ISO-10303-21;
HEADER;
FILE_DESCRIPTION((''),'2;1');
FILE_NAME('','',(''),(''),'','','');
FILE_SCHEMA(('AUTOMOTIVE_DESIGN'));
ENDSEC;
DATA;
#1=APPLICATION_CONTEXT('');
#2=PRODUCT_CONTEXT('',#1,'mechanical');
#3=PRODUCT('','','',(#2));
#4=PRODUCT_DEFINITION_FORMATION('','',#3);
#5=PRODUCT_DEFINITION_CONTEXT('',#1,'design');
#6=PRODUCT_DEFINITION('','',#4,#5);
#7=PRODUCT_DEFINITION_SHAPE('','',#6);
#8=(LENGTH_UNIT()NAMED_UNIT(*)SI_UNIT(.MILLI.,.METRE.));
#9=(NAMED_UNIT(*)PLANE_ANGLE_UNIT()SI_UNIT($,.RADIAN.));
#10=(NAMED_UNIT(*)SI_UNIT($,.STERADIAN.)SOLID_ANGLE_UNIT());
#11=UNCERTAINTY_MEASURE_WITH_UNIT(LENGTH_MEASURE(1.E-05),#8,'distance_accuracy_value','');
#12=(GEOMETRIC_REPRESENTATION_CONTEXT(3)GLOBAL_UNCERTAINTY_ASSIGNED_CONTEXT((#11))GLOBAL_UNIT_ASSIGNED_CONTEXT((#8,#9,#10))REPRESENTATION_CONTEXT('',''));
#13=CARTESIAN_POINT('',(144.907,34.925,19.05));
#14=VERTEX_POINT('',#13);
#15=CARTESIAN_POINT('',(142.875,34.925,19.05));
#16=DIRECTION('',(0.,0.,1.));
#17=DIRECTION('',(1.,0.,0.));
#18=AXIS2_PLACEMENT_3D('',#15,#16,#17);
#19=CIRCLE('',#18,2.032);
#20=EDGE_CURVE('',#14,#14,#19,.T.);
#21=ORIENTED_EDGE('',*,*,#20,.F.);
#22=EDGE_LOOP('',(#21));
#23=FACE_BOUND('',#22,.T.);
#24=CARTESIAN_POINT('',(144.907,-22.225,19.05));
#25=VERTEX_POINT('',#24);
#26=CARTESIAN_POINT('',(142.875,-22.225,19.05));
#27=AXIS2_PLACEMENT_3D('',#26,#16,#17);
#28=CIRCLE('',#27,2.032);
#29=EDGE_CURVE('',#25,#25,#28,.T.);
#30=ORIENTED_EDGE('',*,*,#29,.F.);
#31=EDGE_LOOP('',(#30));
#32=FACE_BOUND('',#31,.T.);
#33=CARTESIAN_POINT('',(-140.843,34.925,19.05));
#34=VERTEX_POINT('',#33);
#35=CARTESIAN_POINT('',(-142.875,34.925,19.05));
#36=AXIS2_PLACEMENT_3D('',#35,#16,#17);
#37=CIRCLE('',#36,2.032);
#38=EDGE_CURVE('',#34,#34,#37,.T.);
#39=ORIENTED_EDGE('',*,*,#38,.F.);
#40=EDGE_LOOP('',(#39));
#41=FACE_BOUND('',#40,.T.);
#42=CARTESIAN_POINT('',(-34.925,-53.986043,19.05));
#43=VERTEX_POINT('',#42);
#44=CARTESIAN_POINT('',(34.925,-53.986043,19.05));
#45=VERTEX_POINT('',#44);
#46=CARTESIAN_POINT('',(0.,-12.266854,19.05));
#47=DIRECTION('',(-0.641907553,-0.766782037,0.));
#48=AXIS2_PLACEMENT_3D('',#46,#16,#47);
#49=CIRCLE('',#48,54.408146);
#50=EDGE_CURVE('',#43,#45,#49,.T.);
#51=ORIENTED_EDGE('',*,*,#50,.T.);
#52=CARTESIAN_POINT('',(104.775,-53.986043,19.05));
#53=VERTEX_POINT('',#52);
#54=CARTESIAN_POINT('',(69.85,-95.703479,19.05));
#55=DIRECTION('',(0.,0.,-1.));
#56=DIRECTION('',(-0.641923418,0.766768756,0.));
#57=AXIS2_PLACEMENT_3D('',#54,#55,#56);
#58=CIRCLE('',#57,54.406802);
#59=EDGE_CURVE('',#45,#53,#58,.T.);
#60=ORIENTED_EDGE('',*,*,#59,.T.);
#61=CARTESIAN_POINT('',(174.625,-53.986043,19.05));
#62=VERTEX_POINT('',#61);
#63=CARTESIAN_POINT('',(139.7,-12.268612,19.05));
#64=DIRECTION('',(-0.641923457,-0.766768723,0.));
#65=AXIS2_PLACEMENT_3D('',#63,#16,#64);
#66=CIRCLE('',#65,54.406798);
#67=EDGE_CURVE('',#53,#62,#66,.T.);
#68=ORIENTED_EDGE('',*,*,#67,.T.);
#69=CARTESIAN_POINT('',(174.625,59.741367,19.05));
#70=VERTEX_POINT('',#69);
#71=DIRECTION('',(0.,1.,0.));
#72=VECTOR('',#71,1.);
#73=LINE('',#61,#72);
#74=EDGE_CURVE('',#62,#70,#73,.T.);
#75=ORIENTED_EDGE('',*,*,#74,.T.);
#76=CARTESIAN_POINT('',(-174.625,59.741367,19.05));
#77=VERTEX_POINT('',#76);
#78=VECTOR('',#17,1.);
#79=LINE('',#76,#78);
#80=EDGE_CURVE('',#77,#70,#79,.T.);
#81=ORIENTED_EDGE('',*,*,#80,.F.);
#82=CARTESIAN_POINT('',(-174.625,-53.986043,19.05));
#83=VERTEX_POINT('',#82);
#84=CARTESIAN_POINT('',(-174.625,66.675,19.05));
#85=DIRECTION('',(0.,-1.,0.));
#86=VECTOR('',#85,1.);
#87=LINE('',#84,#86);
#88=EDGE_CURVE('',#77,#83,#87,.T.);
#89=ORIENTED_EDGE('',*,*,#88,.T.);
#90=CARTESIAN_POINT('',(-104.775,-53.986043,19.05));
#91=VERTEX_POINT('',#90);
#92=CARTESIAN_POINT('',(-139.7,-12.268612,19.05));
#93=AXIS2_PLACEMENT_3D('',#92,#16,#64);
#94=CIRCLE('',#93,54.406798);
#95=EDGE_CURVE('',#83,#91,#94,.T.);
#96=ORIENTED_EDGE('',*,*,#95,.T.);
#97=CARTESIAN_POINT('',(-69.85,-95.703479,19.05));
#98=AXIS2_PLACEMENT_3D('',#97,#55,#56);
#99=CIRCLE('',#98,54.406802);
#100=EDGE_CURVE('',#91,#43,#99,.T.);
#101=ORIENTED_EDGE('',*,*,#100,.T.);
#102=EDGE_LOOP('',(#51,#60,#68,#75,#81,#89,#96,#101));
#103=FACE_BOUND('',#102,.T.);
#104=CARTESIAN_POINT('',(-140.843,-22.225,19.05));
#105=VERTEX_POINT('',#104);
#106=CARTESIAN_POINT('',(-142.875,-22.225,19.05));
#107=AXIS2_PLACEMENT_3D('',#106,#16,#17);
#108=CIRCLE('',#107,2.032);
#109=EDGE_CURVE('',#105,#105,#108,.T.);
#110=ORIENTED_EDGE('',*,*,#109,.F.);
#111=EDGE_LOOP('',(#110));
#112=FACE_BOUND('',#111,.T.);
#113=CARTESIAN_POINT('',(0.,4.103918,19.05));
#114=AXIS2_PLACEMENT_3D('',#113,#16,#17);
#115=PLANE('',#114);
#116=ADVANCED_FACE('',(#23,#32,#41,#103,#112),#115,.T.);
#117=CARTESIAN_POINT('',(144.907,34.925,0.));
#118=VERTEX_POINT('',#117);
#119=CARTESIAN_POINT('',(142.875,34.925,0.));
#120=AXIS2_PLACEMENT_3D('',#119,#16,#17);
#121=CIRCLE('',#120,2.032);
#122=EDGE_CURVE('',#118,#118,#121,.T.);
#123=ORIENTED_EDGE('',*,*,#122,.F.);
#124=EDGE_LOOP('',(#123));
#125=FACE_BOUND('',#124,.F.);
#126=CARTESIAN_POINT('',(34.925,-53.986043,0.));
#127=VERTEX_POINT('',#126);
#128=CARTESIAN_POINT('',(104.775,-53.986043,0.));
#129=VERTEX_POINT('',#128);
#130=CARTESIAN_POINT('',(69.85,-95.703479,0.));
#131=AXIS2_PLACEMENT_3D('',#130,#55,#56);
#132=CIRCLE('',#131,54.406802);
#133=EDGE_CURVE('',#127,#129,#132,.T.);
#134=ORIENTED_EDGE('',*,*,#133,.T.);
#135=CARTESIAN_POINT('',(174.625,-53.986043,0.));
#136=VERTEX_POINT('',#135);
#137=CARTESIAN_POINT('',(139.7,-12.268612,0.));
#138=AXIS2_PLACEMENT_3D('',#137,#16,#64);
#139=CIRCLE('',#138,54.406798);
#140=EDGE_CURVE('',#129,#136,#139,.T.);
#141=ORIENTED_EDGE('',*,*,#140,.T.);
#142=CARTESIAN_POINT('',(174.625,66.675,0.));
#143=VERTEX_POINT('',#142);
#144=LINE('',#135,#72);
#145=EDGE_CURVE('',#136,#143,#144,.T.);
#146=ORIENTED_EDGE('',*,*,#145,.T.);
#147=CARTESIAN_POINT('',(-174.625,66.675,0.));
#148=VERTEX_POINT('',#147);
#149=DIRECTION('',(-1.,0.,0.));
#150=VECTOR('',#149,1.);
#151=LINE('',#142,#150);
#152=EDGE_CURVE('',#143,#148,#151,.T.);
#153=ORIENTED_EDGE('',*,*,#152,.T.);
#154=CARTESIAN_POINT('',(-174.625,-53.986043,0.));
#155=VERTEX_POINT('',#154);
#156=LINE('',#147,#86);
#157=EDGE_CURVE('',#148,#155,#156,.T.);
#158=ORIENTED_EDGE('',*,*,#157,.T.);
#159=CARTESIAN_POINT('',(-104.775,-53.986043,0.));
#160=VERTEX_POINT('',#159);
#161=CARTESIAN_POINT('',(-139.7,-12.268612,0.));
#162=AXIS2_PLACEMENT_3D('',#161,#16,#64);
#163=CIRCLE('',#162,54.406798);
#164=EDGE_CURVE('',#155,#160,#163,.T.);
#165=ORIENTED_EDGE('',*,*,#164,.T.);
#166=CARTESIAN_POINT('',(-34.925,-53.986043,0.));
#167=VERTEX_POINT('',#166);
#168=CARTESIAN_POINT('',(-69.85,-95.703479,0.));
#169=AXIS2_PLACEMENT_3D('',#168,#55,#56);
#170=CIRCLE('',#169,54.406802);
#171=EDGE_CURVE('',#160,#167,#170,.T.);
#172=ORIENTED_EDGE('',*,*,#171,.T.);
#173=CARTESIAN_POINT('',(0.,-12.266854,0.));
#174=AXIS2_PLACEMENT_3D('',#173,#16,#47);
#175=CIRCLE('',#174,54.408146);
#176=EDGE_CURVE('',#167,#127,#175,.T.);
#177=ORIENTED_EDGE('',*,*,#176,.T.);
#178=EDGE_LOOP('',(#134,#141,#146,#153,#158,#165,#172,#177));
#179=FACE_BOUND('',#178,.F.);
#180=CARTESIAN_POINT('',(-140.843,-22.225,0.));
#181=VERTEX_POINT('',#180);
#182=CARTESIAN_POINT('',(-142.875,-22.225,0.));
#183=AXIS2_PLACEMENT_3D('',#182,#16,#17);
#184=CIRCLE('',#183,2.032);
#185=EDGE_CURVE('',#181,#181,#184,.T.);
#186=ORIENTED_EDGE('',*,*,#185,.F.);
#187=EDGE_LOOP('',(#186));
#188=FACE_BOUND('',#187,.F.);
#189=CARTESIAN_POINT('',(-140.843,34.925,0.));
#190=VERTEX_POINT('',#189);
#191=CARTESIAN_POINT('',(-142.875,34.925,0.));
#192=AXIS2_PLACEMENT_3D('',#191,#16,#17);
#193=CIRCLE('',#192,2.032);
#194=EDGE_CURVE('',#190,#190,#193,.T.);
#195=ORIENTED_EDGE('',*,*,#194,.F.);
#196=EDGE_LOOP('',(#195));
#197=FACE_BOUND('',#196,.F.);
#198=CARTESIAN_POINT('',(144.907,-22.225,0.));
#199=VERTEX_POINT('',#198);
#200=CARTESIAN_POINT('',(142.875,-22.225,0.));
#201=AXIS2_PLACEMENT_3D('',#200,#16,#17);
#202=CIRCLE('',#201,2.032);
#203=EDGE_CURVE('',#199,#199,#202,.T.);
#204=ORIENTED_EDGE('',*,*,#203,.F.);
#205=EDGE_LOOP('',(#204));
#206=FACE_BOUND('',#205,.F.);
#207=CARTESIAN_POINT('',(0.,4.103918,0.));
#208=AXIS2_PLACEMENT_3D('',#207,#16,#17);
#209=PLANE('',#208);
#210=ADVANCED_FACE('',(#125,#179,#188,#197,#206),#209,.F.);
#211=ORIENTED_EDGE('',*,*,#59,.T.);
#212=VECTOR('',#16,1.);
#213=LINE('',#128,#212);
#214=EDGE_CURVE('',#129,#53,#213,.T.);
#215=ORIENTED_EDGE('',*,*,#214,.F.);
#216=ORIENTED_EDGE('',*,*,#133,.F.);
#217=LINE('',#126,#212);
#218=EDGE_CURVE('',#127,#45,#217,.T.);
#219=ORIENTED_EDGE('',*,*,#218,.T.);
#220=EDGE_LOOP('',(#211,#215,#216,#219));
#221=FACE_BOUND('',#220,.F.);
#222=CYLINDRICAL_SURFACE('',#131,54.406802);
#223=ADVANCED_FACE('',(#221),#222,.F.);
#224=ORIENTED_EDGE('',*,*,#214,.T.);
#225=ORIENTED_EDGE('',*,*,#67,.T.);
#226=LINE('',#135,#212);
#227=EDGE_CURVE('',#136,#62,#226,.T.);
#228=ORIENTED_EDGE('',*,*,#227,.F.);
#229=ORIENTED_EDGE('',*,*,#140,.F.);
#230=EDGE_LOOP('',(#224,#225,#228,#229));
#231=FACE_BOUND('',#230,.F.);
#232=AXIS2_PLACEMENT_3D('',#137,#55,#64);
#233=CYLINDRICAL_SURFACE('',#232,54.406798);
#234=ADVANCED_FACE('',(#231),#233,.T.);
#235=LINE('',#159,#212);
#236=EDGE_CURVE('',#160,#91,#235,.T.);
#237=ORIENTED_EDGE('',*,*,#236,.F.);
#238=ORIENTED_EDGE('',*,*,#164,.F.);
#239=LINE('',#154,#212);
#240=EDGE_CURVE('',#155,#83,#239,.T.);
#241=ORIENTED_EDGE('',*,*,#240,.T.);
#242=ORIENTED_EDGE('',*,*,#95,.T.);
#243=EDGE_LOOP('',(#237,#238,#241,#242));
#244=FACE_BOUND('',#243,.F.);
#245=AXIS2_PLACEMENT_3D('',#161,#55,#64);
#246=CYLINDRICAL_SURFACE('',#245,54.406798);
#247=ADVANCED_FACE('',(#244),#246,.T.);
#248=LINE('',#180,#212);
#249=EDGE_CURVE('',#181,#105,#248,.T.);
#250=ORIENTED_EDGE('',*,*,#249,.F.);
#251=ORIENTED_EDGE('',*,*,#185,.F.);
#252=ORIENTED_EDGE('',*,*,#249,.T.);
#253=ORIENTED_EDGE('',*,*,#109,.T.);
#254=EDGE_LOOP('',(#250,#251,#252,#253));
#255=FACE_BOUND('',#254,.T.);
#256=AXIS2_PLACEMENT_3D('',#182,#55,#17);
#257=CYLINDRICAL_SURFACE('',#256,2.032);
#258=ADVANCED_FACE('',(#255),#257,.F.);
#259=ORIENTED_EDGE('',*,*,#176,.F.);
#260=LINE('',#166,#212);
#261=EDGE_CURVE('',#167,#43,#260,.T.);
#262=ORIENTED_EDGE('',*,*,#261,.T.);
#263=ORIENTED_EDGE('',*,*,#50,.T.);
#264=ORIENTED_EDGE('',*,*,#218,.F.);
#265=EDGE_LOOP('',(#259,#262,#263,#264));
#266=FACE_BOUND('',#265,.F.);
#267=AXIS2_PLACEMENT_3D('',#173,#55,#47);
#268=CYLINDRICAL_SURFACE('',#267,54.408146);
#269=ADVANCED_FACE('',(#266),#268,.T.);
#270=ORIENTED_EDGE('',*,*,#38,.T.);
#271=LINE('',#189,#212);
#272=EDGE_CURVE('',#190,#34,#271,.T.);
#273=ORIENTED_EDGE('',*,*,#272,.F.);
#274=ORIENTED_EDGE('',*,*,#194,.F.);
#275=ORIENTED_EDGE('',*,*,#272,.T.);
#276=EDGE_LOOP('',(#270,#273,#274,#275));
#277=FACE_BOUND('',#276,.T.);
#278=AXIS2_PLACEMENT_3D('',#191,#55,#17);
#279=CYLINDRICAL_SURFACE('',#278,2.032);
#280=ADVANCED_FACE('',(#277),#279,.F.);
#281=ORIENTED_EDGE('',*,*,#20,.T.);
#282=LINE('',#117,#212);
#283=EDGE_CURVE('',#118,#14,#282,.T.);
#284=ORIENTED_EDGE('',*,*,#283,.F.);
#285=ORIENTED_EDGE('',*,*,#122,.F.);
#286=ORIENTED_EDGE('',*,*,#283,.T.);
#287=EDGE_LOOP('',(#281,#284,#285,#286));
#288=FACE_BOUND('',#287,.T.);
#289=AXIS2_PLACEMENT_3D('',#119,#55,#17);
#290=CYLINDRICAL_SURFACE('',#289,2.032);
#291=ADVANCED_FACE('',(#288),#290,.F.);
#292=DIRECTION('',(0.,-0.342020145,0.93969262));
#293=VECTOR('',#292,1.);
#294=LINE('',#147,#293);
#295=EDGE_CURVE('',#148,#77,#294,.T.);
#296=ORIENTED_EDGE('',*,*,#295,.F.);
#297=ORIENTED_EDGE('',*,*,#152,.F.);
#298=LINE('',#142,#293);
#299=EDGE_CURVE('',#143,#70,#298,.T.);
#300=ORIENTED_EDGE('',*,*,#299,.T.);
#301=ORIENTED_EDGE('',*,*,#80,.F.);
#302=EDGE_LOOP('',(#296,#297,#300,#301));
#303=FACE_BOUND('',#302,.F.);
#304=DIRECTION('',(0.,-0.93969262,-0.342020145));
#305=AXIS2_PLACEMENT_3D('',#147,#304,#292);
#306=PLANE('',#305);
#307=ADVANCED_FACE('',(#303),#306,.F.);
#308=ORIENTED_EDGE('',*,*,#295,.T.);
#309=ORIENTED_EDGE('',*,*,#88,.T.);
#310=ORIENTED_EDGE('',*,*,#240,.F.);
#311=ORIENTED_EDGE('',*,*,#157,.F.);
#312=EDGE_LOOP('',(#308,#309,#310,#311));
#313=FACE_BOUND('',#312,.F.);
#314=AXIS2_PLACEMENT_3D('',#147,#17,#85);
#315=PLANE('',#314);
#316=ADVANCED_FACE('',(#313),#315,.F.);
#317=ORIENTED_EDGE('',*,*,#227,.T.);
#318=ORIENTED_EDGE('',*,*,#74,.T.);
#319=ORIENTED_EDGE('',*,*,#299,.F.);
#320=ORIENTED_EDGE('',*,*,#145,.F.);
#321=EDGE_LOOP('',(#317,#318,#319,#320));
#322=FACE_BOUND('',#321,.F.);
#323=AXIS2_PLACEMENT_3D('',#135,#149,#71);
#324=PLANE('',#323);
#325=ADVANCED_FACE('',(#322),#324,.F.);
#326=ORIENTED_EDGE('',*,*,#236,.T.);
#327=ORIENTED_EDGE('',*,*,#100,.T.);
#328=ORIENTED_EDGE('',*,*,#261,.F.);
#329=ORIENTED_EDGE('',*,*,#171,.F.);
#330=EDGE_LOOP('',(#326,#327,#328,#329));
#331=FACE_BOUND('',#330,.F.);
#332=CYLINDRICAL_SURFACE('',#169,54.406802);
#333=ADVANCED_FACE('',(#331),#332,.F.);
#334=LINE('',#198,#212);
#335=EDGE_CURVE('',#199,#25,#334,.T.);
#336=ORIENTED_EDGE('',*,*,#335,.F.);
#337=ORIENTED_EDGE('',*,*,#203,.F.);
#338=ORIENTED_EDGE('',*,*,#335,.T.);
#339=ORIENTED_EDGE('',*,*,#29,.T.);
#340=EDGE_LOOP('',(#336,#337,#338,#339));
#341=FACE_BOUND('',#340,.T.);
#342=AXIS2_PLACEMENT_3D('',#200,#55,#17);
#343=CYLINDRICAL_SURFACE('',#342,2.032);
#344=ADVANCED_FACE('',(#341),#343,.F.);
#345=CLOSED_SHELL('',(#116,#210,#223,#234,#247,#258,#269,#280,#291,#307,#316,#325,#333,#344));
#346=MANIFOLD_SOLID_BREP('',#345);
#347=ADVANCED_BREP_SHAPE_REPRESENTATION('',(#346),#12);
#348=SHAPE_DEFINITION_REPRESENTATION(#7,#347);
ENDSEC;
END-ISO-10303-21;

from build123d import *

# Parameters (mm, degrees)
F0_R     = 2.032
F1_DEPTH = 19.05
F3_DEPTH = 349.25


with BuildPart() as f1:
    # F0 (on Top) → F1 (new body)
    with BuildSketch(Plane.XY):
        with BuildLine():
            Line((174.625, -53.986043), (174.625, 66.675))
            Line((174.625, 66.675), (-174.625, 66.675))
            Line((-174.625, 66.675), (-174.625, -53.986043))
            ThreePointArc((-174.625, -53.986043), (-139.7, -66.67541), (-104.775, -53.986043))
            ThreePointArc((-104.775, -53.986043), (-69.85, -41.296677), (-34.925, -53.986043))
            ThreePointArc((-34.925, -53.986043), (0, -66.675), (34.925, -53.986043))
            ThreePointArc((34.925, -53.986043), (69.85, -41.296677), (104.775, -53.986043))
            ThreePointArc((104.775, -53.986043), (139.7, -66.67541), (174.625, -53.986043))
        make_face()
        with Locations((-142.875, -22.225)):
            Circle(F0_R, mode=Mode.SUBTRACT)
        with Locations((142.875, -22.225)):
            Circle(F0_R, mode=Mode.SUBTRACT)
        with Locations((-142.875, 34.925)):
            Circle(F0_R, mode=Mode.SUBTRACT)
        with Locations((142.875, 34.925)):
            Circle(F0_R, mode=Mode.SUBTRACT)
    extrude(amount=F1_DEPTH)

    # F2 (on face) → F3 (cut)
    with BuildSketch(Plane(origin=(-174.625, 0, 0), x_dir=(0, -1, 0), z_dir=(-1, 0, 0))):
        Polygon((-59.741367, 19.05), (-66.675, 19.05), (-66.675, 0), align=None)
    extrude(amount=-F3_DEPTH, mode=Mode.SUBTRACT)


solid = f1.part
